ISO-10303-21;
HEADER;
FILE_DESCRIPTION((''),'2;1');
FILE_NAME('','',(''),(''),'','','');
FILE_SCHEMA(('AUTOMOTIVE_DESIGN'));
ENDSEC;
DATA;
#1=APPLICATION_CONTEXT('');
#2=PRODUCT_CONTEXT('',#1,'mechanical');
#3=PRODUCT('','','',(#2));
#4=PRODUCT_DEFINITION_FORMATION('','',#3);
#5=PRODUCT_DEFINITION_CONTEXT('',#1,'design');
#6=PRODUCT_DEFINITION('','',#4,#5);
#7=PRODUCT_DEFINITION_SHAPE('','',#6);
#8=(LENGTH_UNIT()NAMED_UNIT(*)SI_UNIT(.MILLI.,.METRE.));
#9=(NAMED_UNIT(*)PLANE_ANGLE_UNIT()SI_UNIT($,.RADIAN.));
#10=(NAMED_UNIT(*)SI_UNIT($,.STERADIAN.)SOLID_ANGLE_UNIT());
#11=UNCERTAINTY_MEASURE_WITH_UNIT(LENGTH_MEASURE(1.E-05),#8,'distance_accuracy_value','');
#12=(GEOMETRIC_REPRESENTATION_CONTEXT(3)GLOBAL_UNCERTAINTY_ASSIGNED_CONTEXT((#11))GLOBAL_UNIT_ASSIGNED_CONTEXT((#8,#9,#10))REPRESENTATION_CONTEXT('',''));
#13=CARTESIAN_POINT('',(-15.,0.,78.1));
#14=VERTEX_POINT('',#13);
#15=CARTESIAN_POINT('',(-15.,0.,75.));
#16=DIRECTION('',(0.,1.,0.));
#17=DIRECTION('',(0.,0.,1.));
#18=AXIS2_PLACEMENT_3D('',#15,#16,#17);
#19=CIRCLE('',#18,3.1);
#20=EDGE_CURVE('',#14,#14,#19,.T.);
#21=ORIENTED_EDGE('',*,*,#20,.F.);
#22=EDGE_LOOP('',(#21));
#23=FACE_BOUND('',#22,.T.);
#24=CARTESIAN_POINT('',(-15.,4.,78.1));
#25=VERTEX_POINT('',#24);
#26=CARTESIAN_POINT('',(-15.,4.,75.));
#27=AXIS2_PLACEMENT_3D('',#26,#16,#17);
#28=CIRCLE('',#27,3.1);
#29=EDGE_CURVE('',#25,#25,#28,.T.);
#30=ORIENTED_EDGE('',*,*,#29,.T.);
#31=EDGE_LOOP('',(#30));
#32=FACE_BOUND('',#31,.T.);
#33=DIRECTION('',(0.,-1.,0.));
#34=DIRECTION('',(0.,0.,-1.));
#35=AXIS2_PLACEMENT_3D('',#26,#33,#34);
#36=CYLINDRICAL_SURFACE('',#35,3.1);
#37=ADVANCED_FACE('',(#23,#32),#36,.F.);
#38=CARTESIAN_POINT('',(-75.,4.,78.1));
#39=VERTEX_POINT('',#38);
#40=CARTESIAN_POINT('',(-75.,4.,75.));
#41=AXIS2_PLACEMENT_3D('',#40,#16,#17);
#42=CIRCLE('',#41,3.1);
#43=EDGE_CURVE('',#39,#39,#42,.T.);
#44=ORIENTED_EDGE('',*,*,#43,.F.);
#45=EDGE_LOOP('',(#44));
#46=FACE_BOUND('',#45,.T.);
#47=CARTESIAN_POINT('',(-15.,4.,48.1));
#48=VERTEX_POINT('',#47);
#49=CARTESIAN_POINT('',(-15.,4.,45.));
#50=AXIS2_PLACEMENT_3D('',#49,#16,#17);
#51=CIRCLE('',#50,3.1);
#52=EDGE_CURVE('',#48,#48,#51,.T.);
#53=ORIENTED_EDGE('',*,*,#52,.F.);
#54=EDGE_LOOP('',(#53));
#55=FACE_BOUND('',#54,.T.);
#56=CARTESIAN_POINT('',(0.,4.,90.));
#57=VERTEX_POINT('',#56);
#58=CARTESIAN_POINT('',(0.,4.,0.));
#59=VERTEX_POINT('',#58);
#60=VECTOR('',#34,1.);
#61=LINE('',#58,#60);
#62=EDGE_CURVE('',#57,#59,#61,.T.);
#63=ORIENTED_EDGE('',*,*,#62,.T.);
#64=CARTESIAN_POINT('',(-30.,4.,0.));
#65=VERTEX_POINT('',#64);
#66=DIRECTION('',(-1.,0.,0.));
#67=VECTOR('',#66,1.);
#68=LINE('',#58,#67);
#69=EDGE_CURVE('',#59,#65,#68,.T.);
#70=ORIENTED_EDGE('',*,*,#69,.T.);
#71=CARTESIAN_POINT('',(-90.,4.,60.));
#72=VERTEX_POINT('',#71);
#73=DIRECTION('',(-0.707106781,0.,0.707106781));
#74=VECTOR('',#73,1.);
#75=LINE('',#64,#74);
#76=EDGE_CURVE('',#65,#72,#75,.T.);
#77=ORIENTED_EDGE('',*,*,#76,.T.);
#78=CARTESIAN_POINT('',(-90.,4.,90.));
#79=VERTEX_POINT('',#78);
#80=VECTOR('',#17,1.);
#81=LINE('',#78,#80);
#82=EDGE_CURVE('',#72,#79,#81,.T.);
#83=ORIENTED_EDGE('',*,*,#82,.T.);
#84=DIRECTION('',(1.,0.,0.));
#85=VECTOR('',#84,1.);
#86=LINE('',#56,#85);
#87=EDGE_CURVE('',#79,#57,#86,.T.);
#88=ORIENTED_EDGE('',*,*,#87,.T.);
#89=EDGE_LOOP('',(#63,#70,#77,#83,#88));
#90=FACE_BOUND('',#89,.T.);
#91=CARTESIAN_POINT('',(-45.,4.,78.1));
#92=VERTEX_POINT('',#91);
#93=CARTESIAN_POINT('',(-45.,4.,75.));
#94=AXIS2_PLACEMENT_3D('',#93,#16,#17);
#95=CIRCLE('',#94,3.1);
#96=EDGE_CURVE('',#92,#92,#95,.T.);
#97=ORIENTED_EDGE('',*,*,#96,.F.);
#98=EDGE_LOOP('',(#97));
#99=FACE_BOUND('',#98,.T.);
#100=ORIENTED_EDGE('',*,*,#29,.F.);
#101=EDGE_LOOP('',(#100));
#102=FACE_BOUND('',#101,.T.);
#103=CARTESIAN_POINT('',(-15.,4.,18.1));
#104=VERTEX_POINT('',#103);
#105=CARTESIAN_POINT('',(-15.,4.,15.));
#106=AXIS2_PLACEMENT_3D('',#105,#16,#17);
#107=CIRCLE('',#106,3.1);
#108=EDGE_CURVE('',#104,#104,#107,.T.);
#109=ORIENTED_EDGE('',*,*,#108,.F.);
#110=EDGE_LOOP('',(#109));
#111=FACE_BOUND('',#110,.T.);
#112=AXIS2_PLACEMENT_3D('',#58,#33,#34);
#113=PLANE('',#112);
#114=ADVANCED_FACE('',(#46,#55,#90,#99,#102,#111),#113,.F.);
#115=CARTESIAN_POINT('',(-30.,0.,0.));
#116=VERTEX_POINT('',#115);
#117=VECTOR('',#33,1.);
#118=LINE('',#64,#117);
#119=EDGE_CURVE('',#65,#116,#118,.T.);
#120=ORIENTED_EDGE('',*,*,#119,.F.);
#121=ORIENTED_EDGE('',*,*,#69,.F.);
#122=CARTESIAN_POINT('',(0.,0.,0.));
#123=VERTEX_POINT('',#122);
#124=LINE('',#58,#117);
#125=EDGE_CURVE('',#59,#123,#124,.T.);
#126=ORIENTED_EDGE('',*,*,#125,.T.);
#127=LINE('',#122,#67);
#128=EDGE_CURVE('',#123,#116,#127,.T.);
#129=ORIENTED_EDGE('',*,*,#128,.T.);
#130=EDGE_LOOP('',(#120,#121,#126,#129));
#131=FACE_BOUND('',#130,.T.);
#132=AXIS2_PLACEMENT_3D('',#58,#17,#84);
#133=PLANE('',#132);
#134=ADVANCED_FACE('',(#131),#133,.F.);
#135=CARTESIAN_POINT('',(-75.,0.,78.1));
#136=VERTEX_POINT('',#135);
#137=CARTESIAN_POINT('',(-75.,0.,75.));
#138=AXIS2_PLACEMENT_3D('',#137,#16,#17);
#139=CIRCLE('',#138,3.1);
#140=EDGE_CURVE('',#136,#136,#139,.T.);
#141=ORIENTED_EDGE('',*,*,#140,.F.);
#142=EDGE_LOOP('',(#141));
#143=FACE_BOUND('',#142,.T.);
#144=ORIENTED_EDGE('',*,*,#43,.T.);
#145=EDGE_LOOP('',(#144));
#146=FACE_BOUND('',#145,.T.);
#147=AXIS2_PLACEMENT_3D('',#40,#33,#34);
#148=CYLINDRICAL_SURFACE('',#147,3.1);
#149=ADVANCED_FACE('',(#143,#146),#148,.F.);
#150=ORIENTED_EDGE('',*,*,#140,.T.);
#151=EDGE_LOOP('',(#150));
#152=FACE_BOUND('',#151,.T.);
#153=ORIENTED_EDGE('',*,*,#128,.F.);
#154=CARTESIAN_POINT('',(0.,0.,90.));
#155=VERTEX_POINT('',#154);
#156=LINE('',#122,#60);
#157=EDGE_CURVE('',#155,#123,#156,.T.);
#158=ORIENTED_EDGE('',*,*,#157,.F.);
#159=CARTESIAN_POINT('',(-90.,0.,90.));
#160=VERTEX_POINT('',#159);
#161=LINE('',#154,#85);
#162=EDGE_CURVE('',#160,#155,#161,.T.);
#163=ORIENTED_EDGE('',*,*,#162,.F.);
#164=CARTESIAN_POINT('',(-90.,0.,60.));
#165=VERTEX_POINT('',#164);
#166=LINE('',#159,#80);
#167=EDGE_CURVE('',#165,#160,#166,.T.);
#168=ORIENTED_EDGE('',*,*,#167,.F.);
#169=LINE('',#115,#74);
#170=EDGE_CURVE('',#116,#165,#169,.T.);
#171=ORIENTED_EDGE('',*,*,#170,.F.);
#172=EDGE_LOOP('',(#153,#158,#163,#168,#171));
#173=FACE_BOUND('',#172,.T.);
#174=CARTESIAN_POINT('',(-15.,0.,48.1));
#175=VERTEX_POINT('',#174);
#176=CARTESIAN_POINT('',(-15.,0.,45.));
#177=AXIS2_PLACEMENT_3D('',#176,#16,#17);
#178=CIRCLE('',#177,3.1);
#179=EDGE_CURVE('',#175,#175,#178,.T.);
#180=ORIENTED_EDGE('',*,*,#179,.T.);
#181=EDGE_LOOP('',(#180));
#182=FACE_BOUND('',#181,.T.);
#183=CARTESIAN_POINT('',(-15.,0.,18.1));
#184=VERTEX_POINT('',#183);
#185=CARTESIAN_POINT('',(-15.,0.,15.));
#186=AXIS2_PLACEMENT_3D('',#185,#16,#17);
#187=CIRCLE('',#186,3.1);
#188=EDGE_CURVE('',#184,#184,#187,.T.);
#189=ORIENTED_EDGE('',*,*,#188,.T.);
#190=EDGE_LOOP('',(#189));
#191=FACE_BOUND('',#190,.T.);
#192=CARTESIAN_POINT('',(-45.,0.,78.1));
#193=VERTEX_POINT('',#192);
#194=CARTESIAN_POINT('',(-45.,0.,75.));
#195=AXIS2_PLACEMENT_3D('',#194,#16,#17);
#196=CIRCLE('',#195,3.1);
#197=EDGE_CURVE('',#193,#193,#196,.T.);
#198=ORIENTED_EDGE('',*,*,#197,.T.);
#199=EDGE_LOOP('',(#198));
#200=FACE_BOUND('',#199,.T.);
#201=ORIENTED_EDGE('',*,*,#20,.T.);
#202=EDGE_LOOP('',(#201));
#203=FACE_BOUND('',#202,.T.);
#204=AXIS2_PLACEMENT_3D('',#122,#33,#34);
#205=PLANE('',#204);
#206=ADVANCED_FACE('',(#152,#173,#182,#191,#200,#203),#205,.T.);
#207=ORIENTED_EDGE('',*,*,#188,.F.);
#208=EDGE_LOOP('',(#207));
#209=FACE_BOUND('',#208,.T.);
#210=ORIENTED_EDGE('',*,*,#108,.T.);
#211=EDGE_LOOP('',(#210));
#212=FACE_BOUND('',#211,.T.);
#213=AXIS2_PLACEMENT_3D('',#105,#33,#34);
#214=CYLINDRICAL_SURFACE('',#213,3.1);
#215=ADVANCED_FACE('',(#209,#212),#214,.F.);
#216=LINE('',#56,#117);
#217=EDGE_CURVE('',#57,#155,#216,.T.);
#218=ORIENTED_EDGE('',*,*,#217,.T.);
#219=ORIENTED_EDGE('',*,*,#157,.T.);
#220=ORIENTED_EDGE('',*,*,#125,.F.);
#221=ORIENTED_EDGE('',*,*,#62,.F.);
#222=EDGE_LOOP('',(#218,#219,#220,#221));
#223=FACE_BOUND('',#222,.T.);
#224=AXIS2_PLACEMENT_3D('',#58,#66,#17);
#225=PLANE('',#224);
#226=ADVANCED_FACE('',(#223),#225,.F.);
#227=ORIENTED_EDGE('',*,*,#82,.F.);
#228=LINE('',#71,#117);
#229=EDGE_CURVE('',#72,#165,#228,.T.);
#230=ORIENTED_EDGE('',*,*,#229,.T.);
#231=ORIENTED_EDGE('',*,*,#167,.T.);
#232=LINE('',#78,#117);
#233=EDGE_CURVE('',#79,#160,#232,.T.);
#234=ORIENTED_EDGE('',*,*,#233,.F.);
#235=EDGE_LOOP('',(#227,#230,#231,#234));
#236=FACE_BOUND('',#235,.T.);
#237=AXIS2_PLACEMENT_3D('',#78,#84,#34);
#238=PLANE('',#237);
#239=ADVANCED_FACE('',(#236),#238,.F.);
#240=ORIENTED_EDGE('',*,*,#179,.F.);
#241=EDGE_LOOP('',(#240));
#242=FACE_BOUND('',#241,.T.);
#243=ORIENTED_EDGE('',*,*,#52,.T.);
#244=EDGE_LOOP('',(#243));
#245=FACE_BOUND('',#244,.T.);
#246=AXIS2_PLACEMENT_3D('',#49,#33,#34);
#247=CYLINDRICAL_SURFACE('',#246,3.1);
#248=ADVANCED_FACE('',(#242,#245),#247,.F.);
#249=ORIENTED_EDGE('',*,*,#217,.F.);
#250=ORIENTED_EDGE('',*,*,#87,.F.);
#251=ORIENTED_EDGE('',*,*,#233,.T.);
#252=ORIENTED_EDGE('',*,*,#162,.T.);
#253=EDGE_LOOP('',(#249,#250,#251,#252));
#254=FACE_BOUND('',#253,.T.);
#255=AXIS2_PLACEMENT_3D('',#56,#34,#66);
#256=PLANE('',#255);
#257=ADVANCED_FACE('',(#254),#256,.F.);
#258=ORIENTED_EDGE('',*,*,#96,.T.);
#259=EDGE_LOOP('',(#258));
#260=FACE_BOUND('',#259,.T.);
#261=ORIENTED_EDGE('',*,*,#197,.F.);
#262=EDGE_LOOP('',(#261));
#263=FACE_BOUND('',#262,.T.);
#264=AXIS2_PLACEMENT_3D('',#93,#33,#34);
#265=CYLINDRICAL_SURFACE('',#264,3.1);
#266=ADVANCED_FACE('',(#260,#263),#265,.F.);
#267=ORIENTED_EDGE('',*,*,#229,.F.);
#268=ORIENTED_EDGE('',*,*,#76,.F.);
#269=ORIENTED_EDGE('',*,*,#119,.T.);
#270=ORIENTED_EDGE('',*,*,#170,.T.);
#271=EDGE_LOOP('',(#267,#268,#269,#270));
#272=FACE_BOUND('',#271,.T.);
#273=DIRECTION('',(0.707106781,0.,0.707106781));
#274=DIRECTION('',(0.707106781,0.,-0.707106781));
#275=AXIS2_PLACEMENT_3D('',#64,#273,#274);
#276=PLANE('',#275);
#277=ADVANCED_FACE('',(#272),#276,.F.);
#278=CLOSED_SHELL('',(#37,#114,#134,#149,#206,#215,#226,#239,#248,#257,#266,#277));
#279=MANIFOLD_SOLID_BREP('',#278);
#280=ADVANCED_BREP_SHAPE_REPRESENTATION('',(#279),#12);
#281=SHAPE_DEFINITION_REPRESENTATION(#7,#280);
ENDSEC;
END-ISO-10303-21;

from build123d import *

# Parameters (mm, degrees)
SKETCH1_R           = 3.1
BOSS_EXTRUDE1_DEPTH = 4


with BuildPart() as part:
    # Sketch1 → Boss-Extrude1 (new body)
    with BuildSketch(Plane(origin=(0, 0, 0), x_dir=(1, 0, 0), z_dir=(0, 1, 0))):
        Polygon((0, 0), (0, -90), (-90, -90), (-90, -60), (-30, 0), align=None)
        with Locations(Location((-15, -15, 0), (0, 0, 270))):
            Circle(SKETCH1_R, mode=Mode.SUBTRACT)
        with Locations(Location((-15, -45, 0), (0, 0, 270))):
            Circle(SKETCH1_R, mode=Mode.SUBTRACT)
        with Locations(Location((-15, -75, 0), (0, 0, 270))):
            Circle(SKETCH1_R, mode=Mode.SUBTRACT)
        with Locations(Location((-45, -75, 0), (0, 0, 270))):
            Circle(SKETCH1_R, mode=Mode.SUBTRACT)
        with Locations(Location((-75, -75, 0), (0, 0, 270))):
            Circle(SKETCH1_R, mode=Mode.SUBTRACT)
    extrude(amount=BOSS_EXTRUDE1_DEPTH)


solid = part.part
